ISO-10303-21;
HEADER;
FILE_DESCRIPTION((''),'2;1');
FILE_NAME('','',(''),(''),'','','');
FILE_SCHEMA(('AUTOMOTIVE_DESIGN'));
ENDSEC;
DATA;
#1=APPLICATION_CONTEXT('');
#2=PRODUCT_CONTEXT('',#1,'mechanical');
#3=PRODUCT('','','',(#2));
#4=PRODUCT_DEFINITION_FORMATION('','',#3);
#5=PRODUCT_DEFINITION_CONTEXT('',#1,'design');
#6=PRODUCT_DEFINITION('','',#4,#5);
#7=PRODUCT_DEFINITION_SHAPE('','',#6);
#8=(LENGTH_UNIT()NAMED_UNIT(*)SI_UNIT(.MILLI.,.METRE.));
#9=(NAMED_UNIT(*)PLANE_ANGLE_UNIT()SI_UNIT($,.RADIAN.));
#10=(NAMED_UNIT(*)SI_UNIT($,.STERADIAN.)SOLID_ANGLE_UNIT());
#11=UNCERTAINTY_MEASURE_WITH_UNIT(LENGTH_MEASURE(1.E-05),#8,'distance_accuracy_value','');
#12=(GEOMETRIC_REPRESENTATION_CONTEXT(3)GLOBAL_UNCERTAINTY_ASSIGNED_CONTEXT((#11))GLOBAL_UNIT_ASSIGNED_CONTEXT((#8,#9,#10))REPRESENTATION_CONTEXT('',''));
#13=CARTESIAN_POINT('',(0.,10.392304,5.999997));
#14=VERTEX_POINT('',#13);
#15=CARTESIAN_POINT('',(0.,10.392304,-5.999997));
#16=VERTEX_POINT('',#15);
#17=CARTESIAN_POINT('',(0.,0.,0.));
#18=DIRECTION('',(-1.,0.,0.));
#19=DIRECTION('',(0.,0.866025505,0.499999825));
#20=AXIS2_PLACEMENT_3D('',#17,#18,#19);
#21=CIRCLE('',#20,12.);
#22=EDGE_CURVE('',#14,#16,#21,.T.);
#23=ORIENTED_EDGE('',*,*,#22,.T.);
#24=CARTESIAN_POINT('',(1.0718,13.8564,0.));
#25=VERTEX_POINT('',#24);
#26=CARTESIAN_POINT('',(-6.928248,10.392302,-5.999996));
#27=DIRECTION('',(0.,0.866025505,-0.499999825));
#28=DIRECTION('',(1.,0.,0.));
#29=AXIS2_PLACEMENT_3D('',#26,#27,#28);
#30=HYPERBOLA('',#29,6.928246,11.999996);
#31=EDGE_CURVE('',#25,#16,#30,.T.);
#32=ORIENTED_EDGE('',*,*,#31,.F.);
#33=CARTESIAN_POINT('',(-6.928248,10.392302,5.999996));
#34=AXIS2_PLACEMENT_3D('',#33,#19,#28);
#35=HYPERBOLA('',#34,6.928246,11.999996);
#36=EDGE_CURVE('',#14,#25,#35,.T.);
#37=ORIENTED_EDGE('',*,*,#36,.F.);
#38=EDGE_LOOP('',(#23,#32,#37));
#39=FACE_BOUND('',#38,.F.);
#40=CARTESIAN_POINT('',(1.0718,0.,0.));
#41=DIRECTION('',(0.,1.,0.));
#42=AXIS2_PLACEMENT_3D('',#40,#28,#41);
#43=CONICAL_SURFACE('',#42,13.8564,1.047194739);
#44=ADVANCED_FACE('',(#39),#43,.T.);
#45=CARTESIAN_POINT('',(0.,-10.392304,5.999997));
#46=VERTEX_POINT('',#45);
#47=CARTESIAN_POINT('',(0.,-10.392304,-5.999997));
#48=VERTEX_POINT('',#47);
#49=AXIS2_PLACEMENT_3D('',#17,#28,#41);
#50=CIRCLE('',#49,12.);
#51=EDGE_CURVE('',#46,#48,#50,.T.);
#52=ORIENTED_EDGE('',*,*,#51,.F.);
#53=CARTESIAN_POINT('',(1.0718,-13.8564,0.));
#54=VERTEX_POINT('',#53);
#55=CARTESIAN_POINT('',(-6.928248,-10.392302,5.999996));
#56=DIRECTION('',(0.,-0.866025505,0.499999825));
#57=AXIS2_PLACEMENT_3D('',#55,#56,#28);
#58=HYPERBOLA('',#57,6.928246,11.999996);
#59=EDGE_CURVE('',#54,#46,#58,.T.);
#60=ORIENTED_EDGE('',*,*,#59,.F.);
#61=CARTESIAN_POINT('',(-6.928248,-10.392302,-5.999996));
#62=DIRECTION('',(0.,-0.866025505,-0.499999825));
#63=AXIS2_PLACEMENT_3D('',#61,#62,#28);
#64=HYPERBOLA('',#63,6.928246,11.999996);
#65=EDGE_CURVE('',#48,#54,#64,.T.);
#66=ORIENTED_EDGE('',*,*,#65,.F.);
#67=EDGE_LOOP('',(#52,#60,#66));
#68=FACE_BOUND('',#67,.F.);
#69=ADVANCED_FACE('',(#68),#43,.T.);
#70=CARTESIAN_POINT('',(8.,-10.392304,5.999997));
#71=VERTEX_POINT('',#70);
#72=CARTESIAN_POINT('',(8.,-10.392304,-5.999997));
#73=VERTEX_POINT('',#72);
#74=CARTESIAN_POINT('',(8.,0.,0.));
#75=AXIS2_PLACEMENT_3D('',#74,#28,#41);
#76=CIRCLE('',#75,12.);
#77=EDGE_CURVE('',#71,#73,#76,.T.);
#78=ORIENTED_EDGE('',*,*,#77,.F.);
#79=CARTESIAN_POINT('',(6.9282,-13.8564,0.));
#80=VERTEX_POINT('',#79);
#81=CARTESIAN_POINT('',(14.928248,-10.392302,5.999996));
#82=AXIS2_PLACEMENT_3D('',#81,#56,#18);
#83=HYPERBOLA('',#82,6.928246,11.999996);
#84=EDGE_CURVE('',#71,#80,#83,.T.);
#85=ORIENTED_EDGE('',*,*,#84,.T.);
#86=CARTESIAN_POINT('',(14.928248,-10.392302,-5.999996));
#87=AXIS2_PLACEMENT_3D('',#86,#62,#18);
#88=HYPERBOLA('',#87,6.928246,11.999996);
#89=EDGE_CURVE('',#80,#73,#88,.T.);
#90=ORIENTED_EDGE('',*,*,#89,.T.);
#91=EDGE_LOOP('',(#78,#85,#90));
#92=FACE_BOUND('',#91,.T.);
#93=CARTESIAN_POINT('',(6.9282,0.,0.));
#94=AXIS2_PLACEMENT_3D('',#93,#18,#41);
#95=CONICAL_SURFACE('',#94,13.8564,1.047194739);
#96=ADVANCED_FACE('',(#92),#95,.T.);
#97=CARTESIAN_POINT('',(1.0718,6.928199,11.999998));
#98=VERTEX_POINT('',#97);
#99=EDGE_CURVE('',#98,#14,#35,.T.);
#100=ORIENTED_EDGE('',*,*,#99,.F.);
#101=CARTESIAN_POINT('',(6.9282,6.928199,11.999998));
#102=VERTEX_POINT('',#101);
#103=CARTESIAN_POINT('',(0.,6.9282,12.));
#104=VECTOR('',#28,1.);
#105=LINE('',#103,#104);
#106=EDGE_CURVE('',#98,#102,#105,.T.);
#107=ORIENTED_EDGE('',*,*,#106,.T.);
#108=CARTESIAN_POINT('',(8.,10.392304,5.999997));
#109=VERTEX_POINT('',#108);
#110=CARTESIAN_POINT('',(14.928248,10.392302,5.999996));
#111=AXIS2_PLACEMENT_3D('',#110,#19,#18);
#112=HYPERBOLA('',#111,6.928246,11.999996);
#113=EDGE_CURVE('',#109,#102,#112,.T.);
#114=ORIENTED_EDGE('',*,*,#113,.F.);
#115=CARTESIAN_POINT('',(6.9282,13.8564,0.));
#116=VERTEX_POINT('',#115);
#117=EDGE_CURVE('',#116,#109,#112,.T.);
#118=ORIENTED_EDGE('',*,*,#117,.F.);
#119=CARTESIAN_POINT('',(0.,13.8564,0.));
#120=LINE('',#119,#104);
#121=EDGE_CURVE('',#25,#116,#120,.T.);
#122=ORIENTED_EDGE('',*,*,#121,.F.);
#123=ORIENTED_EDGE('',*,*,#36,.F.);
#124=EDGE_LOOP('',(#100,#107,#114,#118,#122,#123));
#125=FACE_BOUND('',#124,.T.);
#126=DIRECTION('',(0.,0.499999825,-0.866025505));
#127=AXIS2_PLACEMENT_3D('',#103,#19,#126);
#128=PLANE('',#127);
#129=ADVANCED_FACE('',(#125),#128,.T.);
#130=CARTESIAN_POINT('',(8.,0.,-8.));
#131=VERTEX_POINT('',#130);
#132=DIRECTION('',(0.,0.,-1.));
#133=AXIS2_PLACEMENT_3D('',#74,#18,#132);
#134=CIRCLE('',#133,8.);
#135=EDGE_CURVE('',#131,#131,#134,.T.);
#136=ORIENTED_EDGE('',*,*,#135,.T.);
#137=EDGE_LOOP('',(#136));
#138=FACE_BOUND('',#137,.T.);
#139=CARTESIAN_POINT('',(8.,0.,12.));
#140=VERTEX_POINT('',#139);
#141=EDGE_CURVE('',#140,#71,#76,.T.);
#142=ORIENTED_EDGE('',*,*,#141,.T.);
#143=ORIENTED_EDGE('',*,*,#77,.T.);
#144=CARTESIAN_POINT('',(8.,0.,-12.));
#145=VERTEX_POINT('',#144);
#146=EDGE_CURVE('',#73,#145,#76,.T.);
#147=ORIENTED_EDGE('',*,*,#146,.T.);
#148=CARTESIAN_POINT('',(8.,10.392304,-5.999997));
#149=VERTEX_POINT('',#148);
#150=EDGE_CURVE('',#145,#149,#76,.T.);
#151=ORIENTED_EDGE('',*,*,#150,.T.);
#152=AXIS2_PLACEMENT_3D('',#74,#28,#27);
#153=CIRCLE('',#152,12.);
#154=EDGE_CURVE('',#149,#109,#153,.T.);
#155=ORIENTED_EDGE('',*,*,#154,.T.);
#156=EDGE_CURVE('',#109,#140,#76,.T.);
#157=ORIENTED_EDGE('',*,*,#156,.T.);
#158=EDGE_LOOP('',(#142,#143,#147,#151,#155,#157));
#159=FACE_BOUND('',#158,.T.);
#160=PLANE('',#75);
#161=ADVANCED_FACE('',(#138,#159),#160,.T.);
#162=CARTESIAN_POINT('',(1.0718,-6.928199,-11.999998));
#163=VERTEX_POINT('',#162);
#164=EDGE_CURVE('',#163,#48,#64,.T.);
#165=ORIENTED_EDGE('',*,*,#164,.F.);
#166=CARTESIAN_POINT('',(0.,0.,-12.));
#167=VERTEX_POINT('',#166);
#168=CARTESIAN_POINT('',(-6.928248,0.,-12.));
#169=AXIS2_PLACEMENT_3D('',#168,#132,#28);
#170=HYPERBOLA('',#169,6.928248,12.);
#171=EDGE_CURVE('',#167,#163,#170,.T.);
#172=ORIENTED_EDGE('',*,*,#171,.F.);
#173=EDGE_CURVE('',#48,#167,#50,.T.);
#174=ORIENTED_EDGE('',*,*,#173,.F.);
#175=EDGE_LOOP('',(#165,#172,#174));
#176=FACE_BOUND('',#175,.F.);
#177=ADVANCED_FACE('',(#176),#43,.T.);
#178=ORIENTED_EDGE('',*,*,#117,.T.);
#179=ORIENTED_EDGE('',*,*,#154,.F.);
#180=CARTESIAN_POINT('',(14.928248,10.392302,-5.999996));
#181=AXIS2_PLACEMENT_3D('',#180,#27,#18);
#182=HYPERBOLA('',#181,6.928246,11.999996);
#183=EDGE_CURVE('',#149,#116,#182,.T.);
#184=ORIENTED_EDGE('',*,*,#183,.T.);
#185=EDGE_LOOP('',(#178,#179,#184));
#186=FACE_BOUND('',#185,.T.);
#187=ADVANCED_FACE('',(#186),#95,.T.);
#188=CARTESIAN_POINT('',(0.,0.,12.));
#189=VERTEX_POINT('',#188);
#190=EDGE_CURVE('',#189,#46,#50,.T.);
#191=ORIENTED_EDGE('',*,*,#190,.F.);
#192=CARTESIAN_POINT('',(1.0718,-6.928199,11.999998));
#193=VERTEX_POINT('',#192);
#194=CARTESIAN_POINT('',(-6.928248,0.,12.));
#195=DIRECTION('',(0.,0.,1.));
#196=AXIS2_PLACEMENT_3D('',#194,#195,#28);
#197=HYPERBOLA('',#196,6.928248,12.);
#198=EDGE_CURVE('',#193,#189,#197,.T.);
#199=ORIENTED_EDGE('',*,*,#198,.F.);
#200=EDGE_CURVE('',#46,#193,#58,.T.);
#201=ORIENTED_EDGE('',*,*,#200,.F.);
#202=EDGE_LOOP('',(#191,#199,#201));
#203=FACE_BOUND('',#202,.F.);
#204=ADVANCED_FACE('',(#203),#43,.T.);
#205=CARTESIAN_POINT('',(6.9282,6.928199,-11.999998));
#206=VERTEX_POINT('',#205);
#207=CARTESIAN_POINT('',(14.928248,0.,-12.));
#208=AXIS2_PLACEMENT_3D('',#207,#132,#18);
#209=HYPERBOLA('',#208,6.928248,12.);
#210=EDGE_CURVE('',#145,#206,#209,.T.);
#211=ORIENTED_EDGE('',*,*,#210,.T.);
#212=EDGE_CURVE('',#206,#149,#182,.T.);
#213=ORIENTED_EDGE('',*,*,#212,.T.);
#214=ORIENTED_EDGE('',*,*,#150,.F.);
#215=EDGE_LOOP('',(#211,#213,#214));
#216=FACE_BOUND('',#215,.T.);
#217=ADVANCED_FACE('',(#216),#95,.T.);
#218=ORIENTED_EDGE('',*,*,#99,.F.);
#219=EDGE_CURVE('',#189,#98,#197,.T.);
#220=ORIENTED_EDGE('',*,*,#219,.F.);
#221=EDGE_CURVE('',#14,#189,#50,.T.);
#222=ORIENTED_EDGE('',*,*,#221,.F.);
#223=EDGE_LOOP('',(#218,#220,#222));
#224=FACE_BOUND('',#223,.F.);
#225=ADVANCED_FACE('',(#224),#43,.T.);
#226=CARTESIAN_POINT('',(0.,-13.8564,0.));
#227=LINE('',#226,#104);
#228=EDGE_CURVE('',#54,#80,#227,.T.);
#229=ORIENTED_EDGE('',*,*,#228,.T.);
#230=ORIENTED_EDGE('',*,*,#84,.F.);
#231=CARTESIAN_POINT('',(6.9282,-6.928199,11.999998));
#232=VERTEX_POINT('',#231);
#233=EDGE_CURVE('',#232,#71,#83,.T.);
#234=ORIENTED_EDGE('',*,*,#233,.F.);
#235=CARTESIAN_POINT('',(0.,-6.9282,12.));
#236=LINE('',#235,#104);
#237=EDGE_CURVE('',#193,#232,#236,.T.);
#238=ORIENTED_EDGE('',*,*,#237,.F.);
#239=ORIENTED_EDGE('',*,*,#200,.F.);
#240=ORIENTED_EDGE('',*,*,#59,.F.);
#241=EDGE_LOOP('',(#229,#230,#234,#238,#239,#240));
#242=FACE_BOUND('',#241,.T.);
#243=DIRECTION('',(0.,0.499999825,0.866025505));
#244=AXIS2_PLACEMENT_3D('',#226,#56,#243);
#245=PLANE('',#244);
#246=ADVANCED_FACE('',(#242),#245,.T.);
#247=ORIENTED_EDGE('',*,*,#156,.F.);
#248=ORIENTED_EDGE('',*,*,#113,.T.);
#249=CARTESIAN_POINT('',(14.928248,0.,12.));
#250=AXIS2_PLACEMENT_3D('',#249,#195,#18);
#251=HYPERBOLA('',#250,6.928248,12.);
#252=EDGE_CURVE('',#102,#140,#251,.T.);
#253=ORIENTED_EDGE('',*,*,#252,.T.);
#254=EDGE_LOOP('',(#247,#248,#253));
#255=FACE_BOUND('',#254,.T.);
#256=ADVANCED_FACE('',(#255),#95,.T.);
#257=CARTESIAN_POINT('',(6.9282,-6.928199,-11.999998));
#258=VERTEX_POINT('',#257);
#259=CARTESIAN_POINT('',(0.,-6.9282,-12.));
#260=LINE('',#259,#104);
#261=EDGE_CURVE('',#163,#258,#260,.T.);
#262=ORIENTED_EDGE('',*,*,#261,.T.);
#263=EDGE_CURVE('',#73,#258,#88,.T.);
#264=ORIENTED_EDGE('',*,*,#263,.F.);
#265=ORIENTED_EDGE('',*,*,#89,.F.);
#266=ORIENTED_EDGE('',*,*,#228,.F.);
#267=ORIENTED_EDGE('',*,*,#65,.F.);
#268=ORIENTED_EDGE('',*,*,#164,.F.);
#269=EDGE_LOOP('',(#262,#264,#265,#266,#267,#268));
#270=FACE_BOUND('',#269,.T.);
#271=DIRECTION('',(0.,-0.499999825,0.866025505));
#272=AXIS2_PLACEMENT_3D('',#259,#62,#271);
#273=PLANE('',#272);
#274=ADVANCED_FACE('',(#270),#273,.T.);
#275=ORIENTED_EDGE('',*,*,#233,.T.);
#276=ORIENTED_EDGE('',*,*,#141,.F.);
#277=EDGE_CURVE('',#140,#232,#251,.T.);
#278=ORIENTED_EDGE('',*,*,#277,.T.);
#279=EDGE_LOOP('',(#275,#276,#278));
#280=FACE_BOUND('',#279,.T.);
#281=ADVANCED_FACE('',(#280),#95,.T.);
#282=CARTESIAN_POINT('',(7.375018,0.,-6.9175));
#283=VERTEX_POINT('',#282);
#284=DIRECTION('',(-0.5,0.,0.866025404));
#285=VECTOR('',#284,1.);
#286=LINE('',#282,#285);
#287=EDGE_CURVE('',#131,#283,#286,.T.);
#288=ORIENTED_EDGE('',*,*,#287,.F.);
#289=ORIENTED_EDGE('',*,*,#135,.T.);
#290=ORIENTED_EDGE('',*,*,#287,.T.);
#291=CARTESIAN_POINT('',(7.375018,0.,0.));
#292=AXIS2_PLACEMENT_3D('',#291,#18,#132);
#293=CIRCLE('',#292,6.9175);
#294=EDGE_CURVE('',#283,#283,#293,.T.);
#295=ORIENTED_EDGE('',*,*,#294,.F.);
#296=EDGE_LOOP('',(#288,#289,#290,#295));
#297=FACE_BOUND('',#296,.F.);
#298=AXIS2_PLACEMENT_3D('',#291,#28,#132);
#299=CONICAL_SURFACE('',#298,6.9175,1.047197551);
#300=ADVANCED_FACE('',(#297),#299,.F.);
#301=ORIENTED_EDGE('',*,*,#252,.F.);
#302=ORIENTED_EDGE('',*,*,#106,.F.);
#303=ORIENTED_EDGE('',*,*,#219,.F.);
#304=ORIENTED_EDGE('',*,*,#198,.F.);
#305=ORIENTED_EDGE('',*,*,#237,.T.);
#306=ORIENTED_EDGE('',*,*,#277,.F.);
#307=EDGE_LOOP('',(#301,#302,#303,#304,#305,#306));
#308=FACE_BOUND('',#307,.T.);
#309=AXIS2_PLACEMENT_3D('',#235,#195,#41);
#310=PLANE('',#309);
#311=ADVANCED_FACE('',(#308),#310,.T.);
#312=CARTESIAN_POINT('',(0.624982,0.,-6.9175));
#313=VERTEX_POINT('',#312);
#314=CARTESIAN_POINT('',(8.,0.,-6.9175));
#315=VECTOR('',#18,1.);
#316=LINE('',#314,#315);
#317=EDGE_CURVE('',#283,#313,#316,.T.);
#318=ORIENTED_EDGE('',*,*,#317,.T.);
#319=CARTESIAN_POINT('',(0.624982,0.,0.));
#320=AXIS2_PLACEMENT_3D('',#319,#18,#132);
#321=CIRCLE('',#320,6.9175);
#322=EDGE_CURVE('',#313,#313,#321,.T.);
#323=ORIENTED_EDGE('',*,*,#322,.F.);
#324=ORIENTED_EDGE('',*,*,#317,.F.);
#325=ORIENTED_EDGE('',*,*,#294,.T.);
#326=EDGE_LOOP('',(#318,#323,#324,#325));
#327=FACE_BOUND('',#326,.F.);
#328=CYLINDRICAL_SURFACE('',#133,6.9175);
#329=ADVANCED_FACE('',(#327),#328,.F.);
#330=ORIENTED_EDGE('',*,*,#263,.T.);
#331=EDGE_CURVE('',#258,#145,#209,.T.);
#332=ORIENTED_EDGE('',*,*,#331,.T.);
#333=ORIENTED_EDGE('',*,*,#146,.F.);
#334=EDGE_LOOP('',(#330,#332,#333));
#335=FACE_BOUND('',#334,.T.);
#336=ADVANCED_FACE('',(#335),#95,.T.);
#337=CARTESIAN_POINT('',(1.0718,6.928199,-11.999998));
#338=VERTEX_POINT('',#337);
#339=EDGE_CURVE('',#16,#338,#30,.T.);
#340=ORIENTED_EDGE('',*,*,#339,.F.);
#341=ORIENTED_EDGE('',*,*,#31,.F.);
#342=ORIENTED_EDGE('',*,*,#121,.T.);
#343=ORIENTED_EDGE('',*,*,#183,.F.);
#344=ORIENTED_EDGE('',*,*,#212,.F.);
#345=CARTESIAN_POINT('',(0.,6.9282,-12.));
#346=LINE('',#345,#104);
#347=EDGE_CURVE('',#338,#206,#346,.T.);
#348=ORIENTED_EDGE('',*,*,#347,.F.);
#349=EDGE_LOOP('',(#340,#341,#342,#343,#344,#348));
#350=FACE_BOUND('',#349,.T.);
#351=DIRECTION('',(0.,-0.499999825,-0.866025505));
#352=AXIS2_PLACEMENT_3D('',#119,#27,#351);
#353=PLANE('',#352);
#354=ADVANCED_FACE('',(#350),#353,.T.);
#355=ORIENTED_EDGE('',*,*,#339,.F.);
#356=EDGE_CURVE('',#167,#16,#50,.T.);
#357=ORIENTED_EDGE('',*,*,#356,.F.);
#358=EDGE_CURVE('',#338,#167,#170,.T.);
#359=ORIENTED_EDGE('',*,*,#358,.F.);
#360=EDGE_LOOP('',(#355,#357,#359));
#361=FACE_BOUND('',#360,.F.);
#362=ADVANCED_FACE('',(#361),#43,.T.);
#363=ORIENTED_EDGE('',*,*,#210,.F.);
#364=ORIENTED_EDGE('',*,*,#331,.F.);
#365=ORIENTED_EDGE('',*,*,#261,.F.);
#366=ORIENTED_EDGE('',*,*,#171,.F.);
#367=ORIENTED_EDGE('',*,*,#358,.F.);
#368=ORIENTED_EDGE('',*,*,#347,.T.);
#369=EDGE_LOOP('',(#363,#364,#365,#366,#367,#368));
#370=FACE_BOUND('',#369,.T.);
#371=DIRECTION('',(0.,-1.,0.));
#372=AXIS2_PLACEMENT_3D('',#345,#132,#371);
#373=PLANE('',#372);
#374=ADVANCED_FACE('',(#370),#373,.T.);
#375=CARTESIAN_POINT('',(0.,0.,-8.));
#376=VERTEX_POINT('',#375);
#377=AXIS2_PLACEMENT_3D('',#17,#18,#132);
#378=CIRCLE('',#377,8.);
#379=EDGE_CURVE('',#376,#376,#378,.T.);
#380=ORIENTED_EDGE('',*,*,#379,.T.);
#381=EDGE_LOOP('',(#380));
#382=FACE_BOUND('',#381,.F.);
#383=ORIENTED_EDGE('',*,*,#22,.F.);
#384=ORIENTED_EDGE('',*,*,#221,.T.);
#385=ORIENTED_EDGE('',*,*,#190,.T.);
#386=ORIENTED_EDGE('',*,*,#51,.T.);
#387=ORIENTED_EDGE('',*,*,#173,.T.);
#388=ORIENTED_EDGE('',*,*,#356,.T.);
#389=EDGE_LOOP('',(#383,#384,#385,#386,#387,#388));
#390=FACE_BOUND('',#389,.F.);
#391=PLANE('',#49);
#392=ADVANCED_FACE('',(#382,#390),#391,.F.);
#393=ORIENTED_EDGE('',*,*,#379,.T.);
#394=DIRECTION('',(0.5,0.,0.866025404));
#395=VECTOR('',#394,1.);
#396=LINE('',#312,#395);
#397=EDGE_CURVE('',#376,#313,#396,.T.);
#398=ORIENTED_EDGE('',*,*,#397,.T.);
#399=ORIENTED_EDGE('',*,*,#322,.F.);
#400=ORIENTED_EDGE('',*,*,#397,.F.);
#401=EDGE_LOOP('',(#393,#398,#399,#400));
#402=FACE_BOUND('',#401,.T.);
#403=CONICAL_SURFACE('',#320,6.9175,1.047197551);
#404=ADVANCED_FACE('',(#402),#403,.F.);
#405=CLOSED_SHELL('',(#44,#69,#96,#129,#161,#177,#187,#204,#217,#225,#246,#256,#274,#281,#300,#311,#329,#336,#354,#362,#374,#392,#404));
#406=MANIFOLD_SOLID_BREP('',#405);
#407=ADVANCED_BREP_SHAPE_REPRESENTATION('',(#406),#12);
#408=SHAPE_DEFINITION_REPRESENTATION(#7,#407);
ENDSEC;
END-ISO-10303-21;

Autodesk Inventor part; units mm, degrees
ref_plane "YZ Plane" through (0, 0, 0) normal (1, 0, 0) x (0, 1, 0)
ref_plane "XZ Plane" through (0, 0, 0) normal (0, 1, 0) x (-1, 0, 0)
sketch "Schizzo1" plane through (0, 0, 0) normal (1, 0, 0) x (0, 1, 0)
  line L0 (-13.8564, 0) -> (-6.9282, 12)
  line L1 (-6.9282, 12) -> (6.9282, 12)
  line L2 (6.9282, 12) -> (13.8564, 0)
  line L3 (13.8564, 0) -> (6.9282, -12)
  line L4 (6.9282, -12) -> (-6.9282, -12)
  line L5 (-6.9282, -12) -> (-13.8564, 0)
  point P0 (0, 0)
  point P1 (0, 0)
  dimension "d0" = 27.7128
extrude "Corpo" add sketch "Schizzo1" along normal blind 8
sketch "Schizzo2" plane through (0, 0, 0) normal (0, 0, 1) x (1, 0, 0)
  line L0 (0, 6.9282) -> (0, 13.8564) projected
  line L1 (0, 13.8564) -> (8, 13.8564) projected
  line L2 (8, 6.9282) -> (8, 13.8564) projected
  line L3 (-1.6, 0) -> (9.6, 0) projected
  line L4 (1.0718, 13.8564) -> (0, 12)
  line L5 (6.9282, 13.8564) -> (8, 12)
  dimension "d3" = 30
  dimension "d4" = 30
  dimension "d5" = 24
  dimension "d6" = 24
revolve "Smusso1" cut sketch "Schizzo2" angle 360 about axis through (-10, 0, 0) along (1, 0, 0)
sketch "Schizzo3" plane through (8, 0, 0) normal (1, 0, 0) x (0, 0, -1)
  arc A0 (-6, -10.3923) -> (6, -10.3923) centre (0, 0) ccw projected
hole "Filettatura" at (8, 0, 0) direction (-1, 0, 0) diameter 13.835 end through all thread size "M16x2" class "6H" standard "ISO Metric profile"
chamfer "Smusso2" distance 1.0825 angle 30 1 edges at (8, 0, 6.9175) measured on face at (8, 10.2452, 0.2779)
chamfer "Smusso3" distance 1.0825 angle 30 1 edges at (0, 0, 6.9175) measured on face at (0, 10.2452, 0.2779)
ref_plane "Work Plane1" through (-29.5233, 0, 0) normal (0, -0.866, -0.5) x (1, 0, 0)
equation "\"d0\" = 1.1547 * SW"
equation "\"d1\" = KOH"
equation "\"d3\" = ANG1"
equation "\"d4\" = ANG2"
equation "\"d5\" = SW0"
equation "\"d6\" = SW01"
equation "\"d8\" = -0.5 * GD1 + 0.5 * NND"
equation "\"d40\" = -0.5 * GD1 + 0.5 * NND"
equation "\"d10\" = -0.5 * GD1 + 0.5 * NND"
equation "\"d41\" = -0.5 * GD1 + 0.5 * NND"
equation "\"ANG1\" = 30deg"
equation "\"ANG2\" = 30deg"
equation "\"NND\" = 16"
equation "\"KOH\" = 8"
equation "\"SW\" = 24"
equation "\"SW0\" = SW"
equation "\"SW01\" = SW"
equation "\"GUL\" = 0.541266 * PTC"
equation "\"THREADDIA\" = 16"
equation "\"TOA\" = 30deg"
equation "\"PTC\" = 2"
equation "\"E0\" = 1.155 * SW"
equation "\"GAL\" = 0.541266 * PTC"
equation "\"GD1\" = 13.834936"
properties part number "ISO 4035 - M16" material "Acciaio inox, 440C"
